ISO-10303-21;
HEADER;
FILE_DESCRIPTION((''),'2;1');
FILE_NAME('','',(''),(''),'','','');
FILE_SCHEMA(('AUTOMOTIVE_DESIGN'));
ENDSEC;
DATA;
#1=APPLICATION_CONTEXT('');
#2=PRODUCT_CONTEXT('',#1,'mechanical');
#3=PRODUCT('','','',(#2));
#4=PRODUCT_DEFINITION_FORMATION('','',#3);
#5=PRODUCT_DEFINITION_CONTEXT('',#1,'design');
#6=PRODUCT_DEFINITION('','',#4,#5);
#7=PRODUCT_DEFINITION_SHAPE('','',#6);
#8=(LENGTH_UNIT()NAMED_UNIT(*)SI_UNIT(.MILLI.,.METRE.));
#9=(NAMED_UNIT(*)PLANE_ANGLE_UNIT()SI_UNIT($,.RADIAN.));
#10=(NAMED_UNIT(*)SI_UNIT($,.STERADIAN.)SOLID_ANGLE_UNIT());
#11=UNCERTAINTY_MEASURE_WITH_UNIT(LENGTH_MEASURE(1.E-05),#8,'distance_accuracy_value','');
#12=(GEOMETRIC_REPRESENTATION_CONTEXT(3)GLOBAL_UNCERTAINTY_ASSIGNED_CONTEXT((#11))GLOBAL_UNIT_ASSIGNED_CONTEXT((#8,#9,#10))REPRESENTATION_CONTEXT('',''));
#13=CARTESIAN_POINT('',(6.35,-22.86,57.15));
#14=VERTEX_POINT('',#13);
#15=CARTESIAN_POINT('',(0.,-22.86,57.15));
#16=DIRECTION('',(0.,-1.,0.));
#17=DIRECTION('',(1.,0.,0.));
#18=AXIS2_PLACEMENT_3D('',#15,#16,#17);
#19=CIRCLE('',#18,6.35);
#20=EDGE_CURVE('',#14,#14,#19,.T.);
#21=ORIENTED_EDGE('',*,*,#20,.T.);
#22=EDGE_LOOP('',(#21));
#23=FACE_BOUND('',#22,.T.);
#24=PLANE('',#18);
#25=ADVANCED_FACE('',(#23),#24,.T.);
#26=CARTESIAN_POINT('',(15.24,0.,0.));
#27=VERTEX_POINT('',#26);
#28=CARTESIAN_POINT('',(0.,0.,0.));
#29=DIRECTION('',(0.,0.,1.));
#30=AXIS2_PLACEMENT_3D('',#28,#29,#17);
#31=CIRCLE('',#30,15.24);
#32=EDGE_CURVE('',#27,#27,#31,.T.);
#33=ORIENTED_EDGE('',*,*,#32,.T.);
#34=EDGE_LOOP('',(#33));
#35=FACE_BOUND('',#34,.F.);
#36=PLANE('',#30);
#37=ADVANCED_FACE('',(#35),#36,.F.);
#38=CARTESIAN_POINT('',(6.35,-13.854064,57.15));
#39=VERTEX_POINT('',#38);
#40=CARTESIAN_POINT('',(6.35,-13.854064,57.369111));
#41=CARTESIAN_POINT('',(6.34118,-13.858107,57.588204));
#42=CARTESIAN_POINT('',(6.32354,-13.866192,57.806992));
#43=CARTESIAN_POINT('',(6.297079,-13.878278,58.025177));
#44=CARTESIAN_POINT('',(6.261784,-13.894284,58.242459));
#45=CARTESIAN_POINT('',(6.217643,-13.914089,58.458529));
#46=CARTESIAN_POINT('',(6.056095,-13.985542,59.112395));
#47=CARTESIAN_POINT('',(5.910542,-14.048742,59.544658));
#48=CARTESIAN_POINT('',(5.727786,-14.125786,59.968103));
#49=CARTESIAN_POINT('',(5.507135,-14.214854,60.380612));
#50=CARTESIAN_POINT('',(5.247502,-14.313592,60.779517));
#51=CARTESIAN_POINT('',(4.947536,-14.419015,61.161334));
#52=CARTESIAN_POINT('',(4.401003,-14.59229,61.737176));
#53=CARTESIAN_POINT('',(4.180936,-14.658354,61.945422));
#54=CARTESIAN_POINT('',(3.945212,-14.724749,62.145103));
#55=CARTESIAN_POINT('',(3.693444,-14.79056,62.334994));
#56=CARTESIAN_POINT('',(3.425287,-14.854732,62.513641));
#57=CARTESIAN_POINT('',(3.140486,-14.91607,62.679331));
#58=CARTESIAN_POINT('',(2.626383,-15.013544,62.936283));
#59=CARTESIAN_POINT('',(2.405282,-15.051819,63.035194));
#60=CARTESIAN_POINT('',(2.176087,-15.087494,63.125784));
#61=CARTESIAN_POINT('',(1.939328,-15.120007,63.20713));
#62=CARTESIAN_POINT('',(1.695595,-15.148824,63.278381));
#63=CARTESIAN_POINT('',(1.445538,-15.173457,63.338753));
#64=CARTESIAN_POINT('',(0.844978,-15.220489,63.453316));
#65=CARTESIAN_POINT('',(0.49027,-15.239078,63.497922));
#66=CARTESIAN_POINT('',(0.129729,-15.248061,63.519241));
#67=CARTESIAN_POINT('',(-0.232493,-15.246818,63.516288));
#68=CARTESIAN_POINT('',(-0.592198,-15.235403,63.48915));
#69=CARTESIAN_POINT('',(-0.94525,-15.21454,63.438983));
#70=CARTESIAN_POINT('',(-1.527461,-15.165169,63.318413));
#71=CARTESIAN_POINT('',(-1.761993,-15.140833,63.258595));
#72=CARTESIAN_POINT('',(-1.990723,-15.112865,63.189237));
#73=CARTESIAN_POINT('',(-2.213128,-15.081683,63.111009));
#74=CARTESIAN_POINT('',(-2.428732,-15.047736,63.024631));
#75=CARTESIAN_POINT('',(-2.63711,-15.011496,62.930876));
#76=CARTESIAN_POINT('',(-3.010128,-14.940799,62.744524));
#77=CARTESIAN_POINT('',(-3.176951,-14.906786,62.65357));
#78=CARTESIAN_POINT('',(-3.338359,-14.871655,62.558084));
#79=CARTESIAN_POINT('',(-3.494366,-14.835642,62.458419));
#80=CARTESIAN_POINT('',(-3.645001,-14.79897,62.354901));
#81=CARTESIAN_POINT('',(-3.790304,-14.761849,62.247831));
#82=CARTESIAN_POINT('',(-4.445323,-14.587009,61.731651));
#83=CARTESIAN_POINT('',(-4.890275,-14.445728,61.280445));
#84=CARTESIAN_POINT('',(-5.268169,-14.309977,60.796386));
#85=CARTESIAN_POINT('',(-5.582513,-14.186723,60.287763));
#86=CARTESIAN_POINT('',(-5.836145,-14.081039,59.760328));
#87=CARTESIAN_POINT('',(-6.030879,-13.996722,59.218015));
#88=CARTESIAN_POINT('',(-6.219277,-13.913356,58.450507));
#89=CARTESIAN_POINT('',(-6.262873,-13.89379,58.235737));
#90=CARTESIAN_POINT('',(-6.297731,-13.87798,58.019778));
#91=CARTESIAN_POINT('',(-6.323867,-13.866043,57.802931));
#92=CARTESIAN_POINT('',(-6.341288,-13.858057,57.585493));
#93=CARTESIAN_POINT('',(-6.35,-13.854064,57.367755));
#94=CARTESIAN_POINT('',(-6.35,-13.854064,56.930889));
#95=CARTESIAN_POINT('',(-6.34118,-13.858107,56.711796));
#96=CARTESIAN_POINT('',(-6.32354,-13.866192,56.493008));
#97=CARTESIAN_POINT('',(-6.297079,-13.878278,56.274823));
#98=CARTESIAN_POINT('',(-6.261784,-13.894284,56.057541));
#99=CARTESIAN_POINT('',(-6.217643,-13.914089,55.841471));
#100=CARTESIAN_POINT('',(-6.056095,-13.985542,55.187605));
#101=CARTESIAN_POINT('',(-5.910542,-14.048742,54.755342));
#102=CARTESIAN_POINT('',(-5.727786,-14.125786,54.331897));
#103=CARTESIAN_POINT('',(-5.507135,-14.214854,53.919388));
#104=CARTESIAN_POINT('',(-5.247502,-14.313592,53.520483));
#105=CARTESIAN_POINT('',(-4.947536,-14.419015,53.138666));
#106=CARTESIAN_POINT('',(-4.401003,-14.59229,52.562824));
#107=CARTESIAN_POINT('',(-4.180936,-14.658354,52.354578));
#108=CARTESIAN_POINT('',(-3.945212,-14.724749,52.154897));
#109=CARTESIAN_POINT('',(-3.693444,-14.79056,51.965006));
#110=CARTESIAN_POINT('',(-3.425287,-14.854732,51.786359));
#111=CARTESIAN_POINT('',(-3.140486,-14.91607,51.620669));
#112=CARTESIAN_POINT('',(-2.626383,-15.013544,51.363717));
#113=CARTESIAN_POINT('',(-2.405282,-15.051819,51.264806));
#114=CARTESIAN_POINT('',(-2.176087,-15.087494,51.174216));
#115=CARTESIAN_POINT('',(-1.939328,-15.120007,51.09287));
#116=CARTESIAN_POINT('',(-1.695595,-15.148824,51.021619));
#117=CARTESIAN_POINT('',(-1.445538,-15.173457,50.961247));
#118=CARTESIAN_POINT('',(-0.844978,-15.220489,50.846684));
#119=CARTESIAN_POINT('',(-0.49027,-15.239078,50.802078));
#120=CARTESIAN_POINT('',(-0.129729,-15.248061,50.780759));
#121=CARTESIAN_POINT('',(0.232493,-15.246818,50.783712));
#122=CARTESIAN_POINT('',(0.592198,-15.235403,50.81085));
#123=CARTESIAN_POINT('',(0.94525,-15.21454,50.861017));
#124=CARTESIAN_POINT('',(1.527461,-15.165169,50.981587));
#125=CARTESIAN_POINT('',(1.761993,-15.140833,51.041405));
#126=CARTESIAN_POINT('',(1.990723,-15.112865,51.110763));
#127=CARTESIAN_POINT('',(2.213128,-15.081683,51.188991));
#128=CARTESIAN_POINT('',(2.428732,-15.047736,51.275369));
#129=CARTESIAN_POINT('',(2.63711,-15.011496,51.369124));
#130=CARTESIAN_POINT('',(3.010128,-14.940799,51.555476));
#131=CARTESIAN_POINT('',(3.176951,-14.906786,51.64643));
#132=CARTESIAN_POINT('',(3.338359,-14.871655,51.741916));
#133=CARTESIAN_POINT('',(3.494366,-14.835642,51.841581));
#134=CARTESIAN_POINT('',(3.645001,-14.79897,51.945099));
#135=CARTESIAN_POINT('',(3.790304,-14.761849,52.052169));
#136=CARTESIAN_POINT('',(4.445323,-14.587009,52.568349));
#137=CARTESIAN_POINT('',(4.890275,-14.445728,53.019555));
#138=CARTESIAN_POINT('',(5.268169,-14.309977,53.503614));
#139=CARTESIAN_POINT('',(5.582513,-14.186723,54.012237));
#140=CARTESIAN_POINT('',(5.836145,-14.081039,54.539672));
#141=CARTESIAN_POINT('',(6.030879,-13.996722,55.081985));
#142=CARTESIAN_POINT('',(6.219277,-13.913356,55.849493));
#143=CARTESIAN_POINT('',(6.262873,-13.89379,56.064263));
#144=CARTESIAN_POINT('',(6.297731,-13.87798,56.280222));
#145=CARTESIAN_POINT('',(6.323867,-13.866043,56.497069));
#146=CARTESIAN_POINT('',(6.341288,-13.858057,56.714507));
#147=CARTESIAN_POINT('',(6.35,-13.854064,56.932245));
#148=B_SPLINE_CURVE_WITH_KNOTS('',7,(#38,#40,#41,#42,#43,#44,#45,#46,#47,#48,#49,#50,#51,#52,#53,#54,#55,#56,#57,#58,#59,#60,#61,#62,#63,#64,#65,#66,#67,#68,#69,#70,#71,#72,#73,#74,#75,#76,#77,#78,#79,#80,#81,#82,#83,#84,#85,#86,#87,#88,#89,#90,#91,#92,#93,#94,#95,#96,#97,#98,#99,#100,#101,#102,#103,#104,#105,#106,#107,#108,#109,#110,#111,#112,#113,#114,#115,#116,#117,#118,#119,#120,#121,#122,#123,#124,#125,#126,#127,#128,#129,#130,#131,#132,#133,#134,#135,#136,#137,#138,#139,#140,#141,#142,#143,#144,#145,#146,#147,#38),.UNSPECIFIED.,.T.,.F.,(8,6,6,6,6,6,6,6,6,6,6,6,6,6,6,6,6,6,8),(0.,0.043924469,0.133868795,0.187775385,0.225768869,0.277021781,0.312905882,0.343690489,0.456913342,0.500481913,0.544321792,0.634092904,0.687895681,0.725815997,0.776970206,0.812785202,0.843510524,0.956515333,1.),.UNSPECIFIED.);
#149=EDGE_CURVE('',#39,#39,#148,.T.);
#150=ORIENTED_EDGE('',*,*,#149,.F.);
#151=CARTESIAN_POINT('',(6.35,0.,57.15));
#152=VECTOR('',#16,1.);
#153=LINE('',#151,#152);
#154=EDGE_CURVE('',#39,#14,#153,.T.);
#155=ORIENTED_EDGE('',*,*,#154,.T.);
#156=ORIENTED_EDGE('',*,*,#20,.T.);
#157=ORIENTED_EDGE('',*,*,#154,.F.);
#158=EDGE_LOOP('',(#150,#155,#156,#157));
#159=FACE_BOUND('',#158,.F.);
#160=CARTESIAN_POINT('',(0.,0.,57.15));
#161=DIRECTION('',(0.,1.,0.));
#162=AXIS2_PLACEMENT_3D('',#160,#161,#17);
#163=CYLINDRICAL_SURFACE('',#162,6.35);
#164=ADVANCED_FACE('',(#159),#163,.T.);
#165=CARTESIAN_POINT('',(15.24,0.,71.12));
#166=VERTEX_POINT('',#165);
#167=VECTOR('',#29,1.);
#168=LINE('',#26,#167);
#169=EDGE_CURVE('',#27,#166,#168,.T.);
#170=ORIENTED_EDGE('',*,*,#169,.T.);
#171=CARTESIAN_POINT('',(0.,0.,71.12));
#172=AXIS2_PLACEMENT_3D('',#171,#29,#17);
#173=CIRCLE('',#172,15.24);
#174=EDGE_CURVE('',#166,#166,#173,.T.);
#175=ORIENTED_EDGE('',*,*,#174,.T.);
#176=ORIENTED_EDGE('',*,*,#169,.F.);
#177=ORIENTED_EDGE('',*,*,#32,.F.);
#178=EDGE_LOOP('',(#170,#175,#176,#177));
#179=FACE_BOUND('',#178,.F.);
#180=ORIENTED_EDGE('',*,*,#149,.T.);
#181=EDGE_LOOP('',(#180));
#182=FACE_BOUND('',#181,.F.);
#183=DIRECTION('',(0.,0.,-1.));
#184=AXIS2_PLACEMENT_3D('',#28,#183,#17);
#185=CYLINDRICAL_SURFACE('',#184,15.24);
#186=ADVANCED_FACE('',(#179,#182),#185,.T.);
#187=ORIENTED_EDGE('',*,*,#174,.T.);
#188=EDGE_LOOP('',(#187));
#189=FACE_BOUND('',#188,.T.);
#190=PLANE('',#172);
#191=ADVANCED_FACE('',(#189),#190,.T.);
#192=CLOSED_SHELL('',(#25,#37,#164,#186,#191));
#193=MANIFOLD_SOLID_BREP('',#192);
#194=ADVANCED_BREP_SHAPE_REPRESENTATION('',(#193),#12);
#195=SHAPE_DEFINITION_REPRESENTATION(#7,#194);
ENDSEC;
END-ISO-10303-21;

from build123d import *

# Parameters (mm, degrees)
F0_R     = 15.24
F1_DEPTH = 71.12
F2_R     = 6.35
F3_DEPTH = 22.86


with BuildPart() as f1:
    # F0 (on Top) → F1 (new body)
    with BuildSketch(Plane.XY):
        Circle(F0_R)
    extrude(amount=F1_DEPTH)

    # F2 (on Front) → F3 (join)
    with BuildSketch(Plane.XZ):
        with Locations((0, 57.15)):
            Circle(F2_R)
    extrude(amount=F3_DEPTH)


solid = f1.part
